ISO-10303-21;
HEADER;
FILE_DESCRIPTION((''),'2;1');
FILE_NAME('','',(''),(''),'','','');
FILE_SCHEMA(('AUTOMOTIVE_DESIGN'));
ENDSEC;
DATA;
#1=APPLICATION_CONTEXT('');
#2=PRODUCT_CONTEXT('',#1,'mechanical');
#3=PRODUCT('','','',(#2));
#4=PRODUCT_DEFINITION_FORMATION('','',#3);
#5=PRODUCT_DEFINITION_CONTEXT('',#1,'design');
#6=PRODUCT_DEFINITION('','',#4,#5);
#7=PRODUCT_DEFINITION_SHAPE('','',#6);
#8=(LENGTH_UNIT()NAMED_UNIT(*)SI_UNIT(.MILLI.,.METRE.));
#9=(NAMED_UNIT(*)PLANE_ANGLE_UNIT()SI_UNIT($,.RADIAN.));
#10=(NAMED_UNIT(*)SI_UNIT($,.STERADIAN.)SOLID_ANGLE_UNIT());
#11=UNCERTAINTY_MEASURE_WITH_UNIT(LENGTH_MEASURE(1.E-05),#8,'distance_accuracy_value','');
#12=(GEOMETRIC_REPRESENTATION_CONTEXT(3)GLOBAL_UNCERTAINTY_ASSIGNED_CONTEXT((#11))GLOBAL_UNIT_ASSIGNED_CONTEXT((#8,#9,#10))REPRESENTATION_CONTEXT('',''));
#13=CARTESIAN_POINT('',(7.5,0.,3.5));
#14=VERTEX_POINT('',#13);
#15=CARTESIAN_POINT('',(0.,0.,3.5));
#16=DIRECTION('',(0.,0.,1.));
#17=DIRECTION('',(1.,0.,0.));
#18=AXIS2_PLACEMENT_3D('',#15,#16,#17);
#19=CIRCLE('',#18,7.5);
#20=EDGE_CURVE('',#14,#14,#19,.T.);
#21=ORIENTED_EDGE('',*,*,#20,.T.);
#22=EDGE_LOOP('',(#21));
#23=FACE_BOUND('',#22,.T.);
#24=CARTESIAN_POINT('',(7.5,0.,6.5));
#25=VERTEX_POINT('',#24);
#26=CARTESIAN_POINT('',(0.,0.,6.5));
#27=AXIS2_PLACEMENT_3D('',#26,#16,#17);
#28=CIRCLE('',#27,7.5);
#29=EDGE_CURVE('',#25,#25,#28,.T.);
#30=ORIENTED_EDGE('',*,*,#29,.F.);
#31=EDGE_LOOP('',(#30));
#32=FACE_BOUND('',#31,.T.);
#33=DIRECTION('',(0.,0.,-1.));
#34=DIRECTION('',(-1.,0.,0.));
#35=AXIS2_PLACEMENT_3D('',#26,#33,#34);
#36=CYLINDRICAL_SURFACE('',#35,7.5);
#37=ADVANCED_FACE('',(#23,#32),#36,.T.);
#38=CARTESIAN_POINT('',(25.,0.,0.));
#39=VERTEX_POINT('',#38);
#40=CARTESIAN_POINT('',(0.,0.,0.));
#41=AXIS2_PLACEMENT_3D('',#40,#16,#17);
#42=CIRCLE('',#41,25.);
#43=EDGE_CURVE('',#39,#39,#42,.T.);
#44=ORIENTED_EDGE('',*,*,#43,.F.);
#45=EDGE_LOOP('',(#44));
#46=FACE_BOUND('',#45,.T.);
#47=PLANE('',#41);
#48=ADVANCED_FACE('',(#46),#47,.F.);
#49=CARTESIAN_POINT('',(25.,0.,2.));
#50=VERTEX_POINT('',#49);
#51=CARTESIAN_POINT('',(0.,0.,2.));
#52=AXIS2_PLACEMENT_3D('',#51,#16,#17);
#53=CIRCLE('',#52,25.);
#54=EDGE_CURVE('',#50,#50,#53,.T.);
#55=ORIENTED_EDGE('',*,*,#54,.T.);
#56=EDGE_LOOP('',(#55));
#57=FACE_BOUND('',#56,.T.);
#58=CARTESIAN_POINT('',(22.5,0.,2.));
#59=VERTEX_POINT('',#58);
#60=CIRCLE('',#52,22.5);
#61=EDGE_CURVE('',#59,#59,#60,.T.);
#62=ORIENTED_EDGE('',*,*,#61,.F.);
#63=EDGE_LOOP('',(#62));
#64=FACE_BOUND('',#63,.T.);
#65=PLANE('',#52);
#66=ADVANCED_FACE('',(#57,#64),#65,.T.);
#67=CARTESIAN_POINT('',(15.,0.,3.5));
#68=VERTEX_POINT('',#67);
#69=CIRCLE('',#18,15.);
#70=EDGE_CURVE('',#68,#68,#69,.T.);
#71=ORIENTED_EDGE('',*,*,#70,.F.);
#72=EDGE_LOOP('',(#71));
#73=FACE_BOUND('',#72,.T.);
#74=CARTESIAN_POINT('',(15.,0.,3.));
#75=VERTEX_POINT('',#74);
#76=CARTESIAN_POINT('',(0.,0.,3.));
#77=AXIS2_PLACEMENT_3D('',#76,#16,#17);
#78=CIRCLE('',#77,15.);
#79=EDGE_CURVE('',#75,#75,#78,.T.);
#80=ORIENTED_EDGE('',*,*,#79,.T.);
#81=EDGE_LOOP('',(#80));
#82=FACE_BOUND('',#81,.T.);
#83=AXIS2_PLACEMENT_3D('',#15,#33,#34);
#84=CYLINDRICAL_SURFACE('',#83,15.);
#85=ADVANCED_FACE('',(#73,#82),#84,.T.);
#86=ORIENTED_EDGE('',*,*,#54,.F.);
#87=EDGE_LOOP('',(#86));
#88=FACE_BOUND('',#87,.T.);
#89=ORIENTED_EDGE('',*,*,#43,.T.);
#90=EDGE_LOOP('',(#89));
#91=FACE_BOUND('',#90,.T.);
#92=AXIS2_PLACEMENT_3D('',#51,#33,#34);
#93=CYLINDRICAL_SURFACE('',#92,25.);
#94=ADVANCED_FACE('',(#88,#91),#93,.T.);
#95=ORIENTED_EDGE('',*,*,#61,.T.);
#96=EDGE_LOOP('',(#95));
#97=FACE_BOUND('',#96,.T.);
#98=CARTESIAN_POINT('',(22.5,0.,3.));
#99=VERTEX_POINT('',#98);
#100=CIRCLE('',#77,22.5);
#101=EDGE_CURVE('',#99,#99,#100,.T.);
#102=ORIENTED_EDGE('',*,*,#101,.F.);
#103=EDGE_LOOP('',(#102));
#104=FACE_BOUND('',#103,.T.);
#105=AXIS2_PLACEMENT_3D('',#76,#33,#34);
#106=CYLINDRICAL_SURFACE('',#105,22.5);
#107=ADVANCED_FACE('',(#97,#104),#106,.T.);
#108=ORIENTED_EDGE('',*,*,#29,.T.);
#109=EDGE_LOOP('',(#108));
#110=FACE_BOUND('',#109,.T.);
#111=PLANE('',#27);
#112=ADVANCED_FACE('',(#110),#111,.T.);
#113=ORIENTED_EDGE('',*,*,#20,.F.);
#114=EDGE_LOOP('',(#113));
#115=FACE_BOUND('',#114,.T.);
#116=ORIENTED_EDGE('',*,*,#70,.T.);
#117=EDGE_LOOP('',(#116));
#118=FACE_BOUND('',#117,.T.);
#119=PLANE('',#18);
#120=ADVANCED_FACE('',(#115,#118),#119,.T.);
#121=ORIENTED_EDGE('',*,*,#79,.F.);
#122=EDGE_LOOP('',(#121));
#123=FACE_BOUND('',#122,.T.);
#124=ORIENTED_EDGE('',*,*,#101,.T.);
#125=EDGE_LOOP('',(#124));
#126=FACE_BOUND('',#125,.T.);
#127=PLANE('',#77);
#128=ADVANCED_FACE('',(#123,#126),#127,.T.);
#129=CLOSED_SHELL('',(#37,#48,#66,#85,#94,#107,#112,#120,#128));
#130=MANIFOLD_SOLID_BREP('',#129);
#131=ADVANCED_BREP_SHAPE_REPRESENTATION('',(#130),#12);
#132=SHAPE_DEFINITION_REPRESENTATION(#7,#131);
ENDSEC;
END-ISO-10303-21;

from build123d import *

# Parameters (mm, degrees)
SKETCH1_R           = 25
SKETCH1_R_2         = 22.5
SKETCH1_R_3         = 15
SKETCH1_R_4         = 7.5
BOSS_EXTRUDE1_DEPTH = 2
BOSS_EXTRUDE2_START = 2
SKETCH1_3_R         = 22.5
SKETCH1_3_R_2       = 15
SKETCH1_3_R_3       = 7.5
BOSS_EXTRUDE2_DEPTH = 1
BOSS_EXTRUDE3_START = 3
SKETCH1_4_R         = 15
SKETCH1_4_R_2       = 7.5
BOSS_EXTRUDE3_DEPTH = 0.5
BOSS_EXTRUDE4_START = 3.5
SKETCH1_5_R         = 7.5
BOSS_EXTRUDE4_DEPTH = 3


with BuildPart() as part:
    # Sketch1 → Boss-Extrude1 (new body)
    # profile 1 of 4: a face of its own
    with BuildSketch(Plane.XY):
        Circle(SKETCH1_R)
        Circle(SKETCH1_R_2, mode=Mode.SUBTRACT)
    # profile 2 of 4: a face of its own
    with BuildSketch(Plane.XY):
        Circle(SKETCH1_R_2)
        Circle(SKETCH1_R_3, mode=Mode.SUBTRACT)
    # profile 3 of 4: a face of its own
    with BuildSketch(Plane.XY):
        Circle(SKETCH1_R_3)
        Circle(SKETCH1_R_4, mode=Mode.SUBTRACT)
    # profile 4 of 4: a face of its own
    with BuildSketch(Plane.XY):
        Circle(SKETCH1_R_4)
    extrude(amount=BOSS_EXTRUDE1_DEPTH)

    # Sketch1<3> → Boss-Extrude2 (add)
    # profile 1 of 3: a face of its own
    with BuildSketch(Plane.XY.offset(BOSS_EXTRUDE2_START)):
        Circle(SKETCH1_3_R)
        Circle(SKETCH1_3_R_2, mode=Mode.SUBTRACT)
    # profile 2 of 3: a face of its own
    with BuildSketch(Plane.XY.offset(BOSS_EXTRUDE2_START)):
        Circle(SKETCH1_3_R_2)
        Circle(SKETCH1_3_R_3, mode=Mode.SUBTRACT)
    # profile 3 of 3: a face of its own
    with BuildSketch(Plane.XY.offset(BOSS_EXTRUDE2_START)):
        Circle(SKETCH1_3_R_3)
    extrude(amount=BOSS_EXTRUDE2_DEPTH)

    # Sketch1<4> → Boss-Extrude3 (add)
    # profile 1 of 2: a face of its own
    with BuildSketch(Plane.XY.offset(BOSS_EXTRUDE3_START)):
        Circle(SKETCH1_4_R)
        Circle(SKETCH1_4_R_2, mode=Mode.SUBTRACT)
    # profile 2 of 2: a face of its own
    with BuildSketch(Plane.XY.offset(BOSS_EXTRUDE3_START)):
        Circle(SKETCH1_4_R_2)
    extrude(amount=BOSS_EXTRUDE3_DEPTH)

    # Sketch1<5> → Boss-Extrude4 (add)
    with BuildSketch(Plane.XY.offset(BOSS_EXTRUDE4_START)):
        Circle(SKETCH1_5_R)
    extrude(amount=BOSS_EXTRUDE4_DEPTH)


solid = part.part
